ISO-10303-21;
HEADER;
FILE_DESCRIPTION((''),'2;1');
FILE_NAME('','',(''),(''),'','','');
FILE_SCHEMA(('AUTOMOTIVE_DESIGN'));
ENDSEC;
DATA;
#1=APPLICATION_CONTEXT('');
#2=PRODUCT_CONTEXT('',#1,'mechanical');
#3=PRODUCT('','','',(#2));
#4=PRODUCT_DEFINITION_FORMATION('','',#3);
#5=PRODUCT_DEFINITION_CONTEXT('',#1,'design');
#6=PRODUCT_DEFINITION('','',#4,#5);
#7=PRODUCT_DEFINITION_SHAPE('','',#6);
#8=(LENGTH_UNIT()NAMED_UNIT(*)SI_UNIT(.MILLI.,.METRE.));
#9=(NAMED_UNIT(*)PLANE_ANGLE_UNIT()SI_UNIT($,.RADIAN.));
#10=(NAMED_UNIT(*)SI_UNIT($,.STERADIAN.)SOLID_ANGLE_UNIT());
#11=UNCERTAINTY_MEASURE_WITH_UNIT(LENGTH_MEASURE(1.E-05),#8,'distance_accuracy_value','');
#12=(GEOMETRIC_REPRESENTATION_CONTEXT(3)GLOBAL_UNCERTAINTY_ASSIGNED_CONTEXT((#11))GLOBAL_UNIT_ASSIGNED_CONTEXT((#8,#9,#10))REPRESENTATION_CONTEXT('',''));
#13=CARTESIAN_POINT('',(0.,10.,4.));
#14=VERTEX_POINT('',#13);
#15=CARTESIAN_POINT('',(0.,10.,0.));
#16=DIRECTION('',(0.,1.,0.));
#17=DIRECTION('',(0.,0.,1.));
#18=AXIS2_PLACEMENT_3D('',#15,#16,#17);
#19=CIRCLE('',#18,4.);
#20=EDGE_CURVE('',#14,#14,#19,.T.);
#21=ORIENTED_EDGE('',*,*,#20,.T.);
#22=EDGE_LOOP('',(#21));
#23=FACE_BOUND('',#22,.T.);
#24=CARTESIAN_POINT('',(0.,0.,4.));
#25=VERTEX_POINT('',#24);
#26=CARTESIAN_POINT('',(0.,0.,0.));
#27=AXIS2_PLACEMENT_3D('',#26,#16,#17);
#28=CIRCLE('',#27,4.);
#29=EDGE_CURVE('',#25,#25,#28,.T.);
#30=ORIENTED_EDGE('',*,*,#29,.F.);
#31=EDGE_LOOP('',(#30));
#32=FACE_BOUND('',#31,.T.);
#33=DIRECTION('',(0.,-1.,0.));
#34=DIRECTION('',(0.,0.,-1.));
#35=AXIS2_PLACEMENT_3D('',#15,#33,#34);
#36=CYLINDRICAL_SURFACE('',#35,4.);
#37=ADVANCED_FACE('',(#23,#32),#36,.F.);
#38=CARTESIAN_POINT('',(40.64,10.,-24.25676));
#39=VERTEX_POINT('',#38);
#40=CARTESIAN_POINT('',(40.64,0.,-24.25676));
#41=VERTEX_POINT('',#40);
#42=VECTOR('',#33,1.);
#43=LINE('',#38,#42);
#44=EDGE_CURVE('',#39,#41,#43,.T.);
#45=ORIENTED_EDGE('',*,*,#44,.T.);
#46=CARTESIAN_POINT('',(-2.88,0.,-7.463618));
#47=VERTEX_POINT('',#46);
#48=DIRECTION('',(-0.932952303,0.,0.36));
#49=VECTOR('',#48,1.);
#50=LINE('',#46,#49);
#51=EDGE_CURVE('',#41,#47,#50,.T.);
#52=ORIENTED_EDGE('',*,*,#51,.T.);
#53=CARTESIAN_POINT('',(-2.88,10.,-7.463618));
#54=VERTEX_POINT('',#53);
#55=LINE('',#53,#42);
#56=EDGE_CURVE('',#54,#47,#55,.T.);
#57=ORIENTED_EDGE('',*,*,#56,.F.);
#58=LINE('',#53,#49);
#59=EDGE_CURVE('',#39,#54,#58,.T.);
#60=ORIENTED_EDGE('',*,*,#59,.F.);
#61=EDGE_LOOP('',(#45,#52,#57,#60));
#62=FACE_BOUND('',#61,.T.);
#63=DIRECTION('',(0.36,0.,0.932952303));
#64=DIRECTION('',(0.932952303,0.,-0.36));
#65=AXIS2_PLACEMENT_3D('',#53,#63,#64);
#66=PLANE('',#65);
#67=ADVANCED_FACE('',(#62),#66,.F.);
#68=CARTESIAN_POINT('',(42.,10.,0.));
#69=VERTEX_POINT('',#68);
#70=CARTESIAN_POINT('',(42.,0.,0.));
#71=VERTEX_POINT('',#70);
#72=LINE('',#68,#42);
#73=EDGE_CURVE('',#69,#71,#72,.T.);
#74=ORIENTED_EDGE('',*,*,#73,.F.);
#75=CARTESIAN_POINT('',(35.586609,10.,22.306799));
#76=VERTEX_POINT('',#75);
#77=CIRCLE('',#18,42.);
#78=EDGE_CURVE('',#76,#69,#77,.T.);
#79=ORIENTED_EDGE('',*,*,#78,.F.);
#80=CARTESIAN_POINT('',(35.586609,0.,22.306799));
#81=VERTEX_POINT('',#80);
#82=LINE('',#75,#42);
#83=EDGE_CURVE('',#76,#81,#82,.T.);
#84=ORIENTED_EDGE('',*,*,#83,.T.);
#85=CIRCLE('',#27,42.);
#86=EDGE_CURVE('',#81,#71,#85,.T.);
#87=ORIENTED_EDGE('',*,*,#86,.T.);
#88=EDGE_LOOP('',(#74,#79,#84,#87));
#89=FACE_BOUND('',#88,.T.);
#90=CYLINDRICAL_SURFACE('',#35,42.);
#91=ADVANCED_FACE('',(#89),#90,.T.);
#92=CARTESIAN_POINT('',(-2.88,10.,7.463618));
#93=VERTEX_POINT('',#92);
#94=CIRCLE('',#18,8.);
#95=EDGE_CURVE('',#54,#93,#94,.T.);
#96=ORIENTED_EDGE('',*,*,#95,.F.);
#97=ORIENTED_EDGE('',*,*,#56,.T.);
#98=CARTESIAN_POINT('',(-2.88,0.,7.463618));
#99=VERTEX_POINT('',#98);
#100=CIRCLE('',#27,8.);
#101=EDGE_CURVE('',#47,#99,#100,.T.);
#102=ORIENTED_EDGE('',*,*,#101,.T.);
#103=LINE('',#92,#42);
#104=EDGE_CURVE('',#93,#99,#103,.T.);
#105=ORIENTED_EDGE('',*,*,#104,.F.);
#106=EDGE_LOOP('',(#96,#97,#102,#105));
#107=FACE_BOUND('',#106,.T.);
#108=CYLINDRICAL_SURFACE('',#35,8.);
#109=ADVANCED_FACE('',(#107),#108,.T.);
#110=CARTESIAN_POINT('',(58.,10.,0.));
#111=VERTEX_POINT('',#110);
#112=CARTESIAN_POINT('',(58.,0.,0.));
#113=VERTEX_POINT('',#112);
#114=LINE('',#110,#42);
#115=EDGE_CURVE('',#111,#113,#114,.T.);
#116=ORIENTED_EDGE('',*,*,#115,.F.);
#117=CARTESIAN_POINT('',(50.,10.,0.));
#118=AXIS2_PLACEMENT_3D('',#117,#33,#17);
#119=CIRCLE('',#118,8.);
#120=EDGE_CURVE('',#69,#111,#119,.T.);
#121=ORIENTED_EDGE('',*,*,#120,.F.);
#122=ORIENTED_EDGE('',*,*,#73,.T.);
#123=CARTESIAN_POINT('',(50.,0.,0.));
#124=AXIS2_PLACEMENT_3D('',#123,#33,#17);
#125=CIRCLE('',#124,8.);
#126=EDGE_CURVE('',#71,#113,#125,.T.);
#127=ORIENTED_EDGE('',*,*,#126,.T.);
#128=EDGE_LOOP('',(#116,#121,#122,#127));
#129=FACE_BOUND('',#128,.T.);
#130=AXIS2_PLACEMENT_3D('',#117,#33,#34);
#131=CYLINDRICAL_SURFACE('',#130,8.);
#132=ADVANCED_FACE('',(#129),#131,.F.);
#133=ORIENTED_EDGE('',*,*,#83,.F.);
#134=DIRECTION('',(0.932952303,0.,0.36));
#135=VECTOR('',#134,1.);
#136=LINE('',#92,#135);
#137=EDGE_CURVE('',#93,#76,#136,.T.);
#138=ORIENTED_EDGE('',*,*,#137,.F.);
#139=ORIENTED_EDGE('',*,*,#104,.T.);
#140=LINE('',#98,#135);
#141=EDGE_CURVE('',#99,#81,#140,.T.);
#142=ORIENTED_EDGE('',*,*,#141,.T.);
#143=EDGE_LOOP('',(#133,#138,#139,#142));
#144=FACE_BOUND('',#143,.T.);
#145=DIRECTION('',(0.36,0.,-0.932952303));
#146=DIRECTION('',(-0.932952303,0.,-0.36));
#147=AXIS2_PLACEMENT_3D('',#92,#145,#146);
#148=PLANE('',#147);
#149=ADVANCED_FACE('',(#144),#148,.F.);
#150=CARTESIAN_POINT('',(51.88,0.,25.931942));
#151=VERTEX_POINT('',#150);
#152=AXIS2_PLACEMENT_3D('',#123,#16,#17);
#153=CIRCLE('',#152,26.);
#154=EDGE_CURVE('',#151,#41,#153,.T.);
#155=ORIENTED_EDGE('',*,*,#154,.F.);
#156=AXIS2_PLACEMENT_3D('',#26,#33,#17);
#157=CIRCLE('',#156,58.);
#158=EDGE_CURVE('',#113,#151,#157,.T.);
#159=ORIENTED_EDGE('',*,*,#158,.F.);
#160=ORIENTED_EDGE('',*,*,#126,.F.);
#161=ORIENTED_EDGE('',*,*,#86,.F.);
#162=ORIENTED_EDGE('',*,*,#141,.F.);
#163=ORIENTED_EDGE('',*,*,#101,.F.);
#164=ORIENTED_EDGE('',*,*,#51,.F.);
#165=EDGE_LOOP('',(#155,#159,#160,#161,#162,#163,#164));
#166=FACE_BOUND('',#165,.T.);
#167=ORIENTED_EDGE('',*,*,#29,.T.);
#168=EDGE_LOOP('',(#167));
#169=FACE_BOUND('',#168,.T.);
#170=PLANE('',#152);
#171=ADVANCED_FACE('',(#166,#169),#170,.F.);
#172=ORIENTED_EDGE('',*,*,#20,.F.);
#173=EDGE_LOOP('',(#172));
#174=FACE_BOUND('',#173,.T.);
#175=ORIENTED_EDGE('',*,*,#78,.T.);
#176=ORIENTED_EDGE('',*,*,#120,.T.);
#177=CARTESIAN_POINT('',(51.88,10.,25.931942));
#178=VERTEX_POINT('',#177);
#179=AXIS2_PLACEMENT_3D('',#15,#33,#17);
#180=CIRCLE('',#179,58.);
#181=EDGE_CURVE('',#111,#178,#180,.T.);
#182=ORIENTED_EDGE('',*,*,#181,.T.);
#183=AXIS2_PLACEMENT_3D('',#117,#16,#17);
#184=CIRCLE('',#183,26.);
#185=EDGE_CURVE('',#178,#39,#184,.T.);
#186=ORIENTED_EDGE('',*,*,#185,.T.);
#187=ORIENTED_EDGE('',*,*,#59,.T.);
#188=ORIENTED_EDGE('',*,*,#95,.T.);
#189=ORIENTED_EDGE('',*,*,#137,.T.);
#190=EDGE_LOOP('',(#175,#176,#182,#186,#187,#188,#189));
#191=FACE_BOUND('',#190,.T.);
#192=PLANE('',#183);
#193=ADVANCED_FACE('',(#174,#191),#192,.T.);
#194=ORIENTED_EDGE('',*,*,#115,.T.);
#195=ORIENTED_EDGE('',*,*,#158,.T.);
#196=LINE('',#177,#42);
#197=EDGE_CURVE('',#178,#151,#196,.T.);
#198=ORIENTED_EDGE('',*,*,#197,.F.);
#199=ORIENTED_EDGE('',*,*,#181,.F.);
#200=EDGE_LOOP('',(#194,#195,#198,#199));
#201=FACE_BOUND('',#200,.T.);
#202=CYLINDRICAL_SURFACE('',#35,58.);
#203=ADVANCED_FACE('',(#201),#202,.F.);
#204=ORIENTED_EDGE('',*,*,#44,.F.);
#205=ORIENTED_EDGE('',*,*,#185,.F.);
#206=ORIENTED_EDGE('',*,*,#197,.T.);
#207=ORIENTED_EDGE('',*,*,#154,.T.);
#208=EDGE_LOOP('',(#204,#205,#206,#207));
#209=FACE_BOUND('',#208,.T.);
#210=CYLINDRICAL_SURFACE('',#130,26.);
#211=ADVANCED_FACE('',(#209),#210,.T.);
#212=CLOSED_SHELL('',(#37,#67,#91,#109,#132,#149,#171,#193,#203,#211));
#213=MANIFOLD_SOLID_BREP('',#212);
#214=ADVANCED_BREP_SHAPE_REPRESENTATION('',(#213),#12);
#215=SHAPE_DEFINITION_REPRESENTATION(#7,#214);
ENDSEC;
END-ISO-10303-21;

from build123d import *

# Parameters (mm, degrees)
SKETCH1_R           = 4
BOSS_EXTRUDE1_DEPTH = 10


with BuildPart() as part:
    # Sketch1 → Boss-Extrude1 (new body)
    with BuildSketch(Plane(origin=(0, 0, 0), x_dir=(1, 0, 0), z_dir=(0, 1, 0))):
        with BuildLine():
            Line((-2.88, 7.463618425), (40.64, 24.256759883))
            ThreePointArc((40.64, 24.256759883), (75.371520283, 5.682073435), (51.88, -25.931941694))
            ThreePointArc((51.88, -25.931941694), (56.44926926, -13.322161987), (58, 0))
            ThreePointArc((58, 0), (50, 8), (42, 0))
            ThreePointArc((42, 0), (40.364821154, -11.60522353), (35.586608897, -22.306798678))
            Line((35.586608897, -22.306798678), (-2.88, -7.463618425))
            ThreePointArc((-2.88, -7.463618425), (-8, 0), (-2.88, 7.463618425))
        make_face()
        with Locations(Location((0, 0, 0), (0, 0, 270))):
            Circle(SKETCH1_R, mode=Mode.SUBTRACT)
    extrude(amount=BOSS_EXTRUDE1_DEPTH)


solid = part.part
